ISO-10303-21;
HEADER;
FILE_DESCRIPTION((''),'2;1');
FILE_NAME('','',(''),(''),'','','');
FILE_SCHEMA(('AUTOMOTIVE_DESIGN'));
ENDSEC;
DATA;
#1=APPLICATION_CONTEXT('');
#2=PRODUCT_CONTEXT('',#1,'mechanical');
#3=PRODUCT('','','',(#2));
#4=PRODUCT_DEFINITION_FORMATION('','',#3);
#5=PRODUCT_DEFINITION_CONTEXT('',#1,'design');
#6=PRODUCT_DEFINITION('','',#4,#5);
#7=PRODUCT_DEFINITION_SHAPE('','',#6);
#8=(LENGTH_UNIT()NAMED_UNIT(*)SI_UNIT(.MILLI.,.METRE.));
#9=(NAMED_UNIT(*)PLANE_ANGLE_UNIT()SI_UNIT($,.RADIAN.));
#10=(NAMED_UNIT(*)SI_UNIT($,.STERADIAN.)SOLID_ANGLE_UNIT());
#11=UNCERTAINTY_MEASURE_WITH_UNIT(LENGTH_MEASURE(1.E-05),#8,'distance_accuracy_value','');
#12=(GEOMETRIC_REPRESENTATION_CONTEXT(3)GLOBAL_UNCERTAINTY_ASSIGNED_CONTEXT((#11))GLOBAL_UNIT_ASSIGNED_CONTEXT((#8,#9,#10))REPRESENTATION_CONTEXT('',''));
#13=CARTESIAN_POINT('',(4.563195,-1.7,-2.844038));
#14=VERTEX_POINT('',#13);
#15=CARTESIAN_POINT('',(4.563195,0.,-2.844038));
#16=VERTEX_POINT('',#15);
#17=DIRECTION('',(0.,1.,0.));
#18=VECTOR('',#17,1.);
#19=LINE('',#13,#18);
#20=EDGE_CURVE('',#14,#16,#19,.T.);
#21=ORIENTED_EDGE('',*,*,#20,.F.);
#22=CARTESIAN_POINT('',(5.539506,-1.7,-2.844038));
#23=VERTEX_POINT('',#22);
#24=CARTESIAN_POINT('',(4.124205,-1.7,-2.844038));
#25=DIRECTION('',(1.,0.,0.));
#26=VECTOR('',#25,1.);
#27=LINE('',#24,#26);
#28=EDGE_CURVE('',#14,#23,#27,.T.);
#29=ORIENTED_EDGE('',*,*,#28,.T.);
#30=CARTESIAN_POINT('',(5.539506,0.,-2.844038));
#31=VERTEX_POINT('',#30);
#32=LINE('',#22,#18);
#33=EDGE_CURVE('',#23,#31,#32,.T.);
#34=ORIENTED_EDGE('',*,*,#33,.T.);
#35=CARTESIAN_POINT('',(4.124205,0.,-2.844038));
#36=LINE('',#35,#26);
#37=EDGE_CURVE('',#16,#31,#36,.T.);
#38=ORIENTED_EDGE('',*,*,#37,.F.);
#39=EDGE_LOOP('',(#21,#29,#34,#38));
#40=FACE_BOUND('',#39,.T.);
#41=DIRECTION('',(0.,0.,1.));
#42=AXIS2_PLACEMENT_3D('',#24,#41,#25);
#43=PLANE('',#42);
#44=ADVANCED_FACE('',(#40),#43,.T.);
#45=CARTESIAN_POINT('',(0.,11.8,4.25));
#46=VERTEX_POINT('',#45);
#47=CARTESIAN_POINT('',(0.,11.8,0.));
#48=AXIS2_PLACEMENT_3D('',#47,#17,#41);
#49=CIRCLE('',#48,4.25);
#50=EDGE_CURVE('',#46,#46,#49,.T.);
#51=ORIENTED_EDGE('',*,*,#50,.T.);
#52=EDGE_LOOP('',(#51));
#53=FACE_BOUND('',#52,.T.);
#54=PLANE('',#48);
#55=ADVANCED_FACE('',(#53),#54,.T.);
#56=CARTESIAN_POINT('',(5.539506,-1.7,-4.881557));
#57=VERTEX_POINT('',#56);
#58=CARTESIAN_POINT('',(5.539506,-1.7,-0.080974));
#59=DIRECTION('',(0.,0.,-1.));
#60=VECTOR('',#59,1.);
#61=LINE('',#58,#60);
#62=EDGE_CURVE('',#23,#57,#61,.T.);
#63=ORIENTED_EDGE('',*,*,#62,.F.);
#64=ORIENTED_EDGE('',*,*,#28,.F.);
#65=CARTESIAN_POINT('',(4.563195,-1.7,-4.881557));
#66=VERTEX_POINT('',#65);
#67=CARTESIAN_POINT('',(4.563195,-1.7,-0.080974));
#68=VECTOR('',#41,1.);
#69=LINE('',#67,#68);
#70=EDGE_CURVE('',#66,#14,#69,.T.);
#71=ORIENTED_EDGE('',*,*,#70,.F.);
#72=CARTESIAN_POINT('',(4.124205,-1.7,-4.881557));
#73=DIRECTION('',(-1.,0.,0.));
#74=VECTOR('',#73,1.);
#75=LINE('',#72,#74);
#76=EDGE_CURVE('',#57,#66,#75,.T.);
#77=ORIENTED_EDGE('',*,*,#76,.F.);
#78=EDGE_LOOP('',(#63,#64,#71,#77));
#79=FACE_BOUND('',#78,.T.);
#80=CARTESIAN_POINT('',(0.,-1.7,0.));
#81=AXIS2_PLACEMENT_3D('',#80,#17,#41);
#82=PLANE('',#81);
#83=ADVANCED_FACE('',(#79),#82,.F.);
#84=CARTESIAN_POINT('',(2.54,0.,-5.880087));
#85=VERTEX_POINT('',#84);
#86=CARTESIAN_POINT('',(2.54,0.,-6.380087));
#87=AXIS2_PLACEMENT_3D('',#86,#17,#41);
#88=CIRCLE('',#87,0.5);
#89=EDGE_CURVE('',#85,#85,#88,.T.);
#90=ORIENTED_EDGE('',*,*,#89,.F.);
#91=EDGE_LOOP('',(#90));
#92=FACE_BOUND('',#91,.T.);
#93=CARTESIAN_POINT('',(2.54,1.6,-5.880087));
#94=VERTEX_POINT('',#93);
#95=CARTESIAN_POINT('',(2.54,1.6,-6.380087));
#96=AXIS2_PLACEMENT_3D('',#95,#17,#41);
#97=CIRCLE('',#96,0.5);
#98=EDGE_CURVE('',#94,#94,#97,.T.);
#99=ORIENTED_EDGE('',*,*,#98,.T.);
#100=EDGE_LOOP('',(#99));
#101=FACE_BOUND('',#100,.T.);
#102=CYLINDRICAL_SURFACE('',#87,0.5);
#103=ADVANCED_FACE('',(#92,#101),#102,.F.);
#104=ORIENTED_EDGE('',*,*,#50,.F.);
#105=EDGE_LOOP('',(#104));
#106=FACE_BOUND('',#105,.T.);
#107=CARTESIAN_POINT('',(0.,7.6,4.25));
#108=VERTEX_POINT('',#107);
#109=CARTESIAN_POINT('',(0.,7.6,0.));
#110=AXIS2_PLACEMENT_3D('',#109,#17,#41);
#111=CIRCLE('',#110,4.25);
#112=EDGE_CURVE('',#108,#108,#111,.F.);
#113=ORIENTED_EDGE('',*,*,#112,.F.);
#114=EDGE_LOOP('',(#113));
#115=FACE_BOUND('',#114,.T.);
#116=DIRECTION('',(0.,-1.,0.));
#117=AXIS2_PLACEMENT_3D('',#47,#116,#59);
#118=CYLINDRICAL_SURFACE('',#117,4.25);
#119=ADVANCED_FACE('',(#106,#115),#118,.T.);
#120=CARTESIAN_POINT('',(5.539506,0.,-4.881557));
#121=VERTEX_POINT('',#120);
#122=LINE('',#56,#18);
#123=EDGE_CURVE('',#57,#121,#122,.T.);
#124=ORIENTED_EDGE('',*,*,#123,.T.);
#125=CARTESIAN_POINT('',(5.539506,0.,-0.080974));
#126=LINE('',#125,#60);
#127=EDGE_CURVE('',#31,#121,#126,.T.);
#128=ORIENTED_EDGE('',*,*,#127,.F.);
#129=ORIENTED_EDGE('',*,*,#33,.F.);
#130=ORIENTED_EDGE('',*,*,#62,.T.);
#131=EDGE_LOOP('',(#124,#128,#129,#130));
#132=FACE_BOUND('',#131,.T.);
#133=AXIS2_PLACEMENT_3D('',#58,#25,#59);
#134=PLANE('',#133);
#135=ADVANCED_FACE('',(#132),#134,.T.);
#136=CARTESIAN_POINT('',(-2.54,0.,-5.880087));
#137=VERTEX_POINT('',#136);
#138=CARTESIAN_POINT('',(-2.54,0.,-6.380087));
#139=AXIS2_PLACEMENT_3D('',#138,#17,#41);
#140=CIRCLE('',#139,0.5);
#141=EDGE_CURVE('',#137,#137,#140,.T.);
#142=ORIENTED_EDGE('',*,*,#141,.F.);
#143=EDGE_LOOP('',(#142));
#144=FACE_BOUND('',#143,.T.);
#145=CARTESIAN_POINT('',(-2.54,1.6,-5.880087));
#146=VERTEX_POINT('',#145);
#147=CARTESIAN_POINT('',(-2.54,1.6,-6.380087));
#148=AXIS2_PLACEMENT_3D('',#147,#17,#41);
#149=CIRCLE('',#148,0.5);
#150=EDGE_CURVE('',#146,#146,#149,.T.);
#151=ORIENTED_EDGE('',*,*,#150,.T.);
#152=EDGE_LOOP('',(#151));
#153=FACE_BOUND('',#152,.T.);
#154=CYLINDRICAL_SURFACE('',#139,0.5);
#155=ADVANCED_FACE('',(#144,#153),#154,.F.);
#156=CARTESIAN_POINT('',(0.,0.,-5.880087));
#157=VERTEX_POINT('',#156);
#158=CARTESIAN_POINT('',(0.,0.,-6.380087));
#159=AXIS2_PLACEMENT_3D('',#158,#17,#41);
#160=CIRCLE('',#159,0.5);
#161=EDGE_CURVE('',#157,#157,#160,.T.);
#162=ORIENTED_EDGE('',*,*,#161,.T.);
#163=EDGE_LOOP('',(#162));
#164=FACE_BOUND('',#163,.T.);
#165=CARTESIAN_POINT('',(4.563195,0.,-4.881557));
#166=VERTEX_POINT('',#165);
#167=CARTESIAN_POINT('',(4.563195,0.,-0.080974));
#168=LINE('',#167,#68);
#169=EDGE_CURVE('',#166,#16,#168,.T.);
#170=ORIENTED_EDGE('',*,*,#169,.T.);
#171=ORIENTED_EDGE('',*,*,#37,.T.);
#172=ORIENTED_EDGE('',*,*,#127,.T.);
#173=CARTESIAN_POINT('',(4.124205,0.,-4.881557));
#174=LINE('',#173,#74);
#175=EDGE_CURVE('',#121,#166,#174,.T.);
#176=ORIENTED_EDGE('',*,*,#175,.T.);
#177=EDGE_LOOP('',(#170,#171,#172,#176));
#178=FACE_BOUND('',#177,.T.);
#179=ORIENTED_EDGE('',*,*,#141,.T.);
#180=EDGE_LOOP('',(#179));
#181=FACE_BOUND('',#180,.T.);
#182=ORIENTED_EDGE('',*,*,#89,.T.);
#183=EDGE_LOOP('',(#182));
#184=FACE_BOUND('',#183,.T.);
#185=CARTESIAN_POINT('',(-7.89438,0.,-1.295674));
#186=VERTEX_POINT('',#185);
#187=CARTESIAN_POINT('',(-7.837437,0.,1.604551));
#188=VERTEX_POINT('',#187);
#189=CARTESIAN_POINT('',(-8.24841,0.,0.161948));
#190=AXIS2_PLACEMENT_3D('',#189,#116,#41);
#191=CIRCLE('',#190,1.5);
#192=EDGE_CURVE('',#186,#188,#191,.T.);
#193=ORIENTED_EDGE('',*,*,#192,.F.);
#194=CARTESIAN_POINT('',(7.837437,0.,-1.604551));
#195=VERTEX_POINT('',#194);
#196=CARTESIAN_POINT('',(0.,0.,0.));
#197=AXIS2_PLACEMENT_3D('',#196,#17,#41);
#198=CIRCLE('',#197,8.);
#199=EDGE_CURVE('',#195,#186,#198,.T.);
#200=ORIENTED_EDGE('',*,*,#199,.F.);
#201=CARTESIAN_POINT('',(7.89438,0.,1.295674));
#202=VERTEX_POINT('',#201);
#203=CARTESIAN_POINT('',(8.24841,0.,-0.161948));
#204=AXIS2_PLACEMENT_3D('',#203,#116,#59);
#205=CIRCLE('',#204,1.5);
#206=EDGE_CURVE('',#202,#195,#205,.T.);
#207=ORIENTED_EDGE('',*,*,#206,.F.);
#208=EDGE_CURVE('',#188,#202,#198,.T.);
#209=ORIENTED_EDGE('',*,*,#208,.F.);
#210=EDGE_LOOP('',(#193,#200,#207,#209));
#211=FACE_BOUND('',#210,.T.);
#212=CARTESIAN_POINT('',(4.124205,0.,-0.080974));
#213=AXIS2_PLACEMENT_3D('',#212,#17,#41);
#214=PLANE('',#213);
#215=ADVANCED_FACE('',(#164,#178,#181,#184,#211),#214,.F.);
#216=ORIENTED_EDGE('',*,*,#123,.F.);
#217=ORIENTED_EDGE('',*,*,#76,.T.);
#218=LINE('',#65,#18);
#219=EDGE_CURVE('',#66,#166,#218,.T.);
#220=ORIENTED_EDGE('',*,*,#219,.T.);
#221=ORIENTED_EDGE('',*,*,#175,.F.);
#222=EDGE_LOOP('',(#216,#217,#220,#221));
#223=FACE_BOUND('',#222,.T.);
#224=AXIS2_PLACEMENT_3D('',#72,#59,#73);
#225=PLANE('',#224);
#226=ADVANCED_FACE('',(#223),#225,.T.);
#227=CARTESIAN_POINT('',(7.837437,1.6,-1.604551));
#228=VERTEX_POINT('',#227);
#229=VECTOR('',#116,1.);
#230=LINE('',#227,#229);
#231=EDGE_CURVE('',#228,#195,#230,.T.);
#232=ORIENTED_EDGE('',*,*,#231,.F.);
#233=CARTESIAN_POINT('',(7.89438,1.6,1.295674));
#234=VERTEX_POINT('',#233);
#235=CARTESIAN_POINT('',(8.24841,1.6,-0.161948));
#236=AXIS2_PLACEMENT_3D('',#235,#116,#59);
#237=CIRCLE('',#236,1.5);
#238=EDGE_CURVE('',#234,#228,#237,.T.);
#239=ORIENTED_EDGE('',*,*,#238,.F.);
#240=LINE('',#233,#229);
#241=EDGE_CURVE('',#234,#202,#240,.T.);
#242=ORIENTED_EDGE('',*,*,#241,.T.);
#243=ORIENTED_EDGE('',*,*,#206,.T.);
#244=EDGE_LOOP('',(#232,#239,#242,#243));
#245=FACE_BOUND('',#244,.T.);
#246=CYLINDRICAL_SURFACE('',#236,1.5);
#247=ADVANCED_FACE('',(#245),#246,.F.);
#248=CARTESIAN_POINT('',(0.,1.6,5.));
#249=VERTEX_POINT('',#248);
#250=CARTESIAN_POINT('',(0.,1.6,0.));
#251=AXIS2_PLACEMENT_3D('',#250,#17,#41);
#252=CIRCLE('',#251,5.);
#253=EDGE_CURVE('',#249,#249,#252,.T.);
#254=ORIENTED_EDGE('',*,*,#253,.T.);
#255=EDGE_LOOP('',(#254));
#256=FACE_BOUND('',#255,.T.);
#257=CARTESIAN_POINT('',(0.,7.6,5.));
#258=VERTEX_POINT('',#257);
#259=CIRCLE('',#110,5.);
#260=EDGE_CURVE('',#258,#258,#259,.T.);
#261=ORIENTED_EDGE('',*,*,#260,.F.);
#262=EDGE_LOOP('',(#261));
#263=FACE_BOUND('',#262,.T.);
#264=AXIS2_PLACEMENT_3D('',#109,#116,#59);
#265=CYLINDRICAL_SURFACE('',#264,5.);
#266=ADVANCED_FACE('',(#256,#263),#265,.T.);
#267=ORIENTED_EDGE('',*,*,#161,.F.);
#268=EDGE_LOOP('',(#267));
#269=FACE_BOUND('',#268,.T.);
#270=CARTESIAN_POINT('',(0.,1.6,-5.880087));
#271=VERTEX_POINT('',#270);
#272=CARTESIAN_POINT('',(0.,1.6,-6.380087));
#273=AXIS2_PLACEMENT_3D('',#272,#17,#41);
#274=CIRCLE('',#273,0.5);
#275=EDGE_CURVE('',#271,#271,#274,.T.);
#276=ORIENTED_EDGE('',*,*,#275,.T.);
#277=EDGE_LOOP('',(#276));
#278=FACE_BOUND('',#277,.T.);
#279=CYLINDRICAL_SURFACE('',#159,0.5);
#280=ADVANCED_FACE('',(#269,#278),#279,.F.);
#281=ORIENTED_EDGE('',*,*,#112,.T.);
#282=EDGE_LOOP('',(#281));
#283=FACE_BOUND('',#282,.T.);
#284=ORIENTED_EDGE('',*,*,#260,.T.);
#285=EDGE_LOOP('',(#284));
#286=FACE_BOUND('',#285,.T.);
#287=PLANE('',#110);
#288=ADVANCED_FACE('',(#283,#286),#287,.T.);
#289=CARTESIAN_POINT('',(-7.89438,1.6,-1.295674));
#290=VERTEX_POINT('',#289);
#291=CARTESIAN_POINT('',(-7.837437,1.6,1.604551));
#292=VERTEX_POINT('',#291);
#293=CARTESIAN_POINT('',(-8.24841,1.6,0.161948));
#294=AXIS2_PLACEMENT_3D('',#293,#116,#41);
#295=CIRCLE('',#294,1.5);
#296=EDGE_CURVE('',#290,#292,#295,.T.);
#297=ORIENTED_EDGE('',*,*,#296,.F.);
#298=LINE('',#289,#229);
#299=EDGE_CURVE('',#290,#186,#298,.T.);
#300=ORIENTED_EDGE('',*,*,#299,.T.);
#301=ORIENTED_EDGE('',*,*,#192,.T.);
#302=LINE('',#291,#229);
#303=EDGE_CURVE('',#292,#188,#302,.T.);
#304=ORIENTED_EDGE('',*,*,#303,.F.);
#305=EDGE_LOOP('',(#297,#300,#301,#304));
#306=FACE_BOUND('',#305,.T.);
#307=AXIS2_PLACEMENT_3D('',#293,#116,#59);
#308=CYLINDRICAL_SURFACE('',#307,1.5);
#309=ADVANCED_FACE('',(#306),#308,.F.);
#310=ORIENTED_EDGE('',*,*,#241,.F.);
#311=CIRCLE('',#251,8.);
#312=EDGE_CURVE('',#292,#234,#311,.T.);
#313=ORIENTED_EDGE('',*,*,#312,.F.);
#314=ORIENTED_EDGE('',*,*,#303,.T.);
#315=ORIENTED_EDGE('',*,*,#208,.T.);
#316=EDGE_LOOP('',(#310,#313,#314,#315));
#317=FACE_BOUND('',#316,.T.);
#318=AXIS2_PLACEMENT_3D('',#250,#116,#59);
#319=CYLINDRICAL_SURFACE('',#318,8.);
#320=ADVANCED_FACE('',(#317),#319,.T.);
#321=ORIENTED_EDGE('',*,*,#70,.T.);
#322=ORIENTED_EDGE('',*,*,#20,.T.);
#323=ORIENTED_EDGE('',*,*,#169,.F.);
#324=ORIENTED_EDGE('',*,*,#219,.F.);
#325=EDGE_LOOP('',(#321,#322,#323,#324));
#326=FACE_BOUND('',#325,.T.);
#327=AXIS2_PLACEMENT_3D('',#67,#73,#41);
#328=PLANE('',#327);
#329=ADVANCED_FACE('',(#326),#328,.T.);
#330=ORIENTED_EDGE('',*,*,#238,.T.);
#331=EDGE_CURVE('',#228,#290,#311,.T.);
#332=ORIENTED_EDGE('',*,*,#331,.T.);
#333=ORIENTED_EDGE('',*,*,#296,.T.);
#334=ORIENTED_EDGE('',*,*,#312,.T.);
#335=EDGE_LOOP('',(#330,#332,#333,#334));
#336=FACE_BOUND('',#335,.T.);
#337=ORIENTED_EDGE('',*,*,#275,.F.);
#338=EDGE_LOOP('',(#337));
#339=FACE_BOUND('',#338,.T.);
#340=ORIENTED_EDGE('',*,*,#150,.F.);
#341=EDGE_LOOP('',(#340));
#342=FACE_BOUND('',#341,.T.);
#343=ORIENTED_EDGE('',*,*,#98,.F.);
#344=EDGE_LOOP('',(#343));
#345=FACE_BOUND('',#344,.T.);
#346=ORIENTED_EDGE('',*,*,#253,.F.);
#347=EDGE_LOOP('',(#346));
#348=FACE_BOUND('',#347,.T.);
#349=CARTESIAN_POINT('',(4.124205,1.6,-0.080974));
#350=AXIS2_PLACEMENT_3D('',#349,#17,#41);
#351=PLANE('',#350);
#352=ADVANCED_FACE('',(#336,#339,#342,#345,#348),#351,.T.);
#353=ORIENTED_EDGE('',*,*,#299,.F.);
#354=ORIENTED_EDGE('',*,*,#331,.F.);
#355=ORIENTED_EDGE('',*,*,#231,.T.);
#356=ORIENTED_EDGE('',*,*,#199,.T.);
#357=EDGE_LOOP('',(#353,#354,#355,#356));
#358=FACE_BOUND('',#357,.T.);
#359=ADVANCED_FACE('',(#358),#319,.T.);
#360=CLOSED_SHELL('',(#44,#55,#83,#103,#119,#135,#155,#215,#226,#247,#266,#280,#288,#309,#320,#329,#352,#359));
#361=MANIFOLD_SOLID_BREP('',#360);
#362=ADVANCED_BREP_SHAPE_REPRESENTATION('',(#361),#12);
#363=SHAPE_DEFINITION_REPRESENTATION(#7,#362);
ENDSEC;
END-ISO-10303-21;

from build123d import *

# Parameters (mm, degrees)
EXTRUDE_1_DEPTH     = 1.6
SKETCH_2_R          = 5
EXTRUDE_2_DEPTH     = 6
EXTRUDE_START       = -6
SKETCH_3_R          = 4.25
EXTRUDE_3_DEPTH     = 10.2
SKETCH_4_R          = 0.5
CUT_EXTRUDE_1_DEPTH = 2.6
EXTRUDE_START_2     = -1.6
SKETCH_5_W          = 0.976311431
SKETCH_5_H          = 2.037519509
EXTRUDE_4_DEPTH     = 3.3


with BuildPart() as part:
    # 草图1 → 凸台-拉伸1 (new body)
    with BuildSketch(Plane(origin=(0, 0, 0), x_dir=(1, 0, 0), z_dir=(0, 1, 0))):
        with BuildLine():
            ThreePointArc((7.894379623, -1.295673712), (6.748699348, 0.13250325), (7.837436926, 1.604550536))
            ThreePointArc((7.837436926, 1.604550536), (-0.157040889, 7.998458486), (-7.894379623, 1.295673712))
            ThreePointArc((-7.894379623, 1.295673712), (-6.748699348, -0.13250325), (-7.837436926, -1.604550536))
            ThreePointArc((-7.837436926, -1.604550536), (0.157040889, -7.998458486), (7.894379623, -1.295673712))
        make_face()
    extrude(amount=EXTRUDE_1_DEPTH)

    # 草图2 → 凸台-拉伸2 (add)
    with BuildSketch(Plane(origin=(0, 1.6, 0), x_dir=(1, 0, 0), z_dir=(0, 1, 0))):
        Circle(SKETCH_2_R)
    extrude(amount=EXTRUDE_2_DEPTH)

    # 草图3 → 凸台-拉伸3 (add)
    with BuildSketch(Plane(origin=(0, 7.6, 0), x_dir=(1, 0, 0), z_dir=(0, 1, 0)).offset(EXTRUDE_START)):
        Circle(SKETCH_3_R)
    extrude(amount=EXTRUDE_3_DEPTH)

    # 草图4 → 切除-拉伸1 (cut, through all)
    with BuildSketch(Plane(origin=(0, 1.6, 0), x_dir=(1, 0, 0), z_dir=(0, 1, 0))):
        with Locations((-2.54, 6.380087041)):
            Circle(SKETCH_4_R)
        with Locations((0, 6.380087041)):
            Circle(SKETCH_4_R)
        with Locations((2.54, 6.380087041)):
            Circle(SKETCH_4_R)
    extrude(amount=-CUT_EXTRUDE_1_DEPTH, mode=Mode.SUBTRACT)

    # 草图5 → 凸台-拉伸4 (add)
    with BuildSketch(Plane.XZ.offset(EXTRUDE_START_2)):
        with Locations((5.05135045, -3.862797403)):
            Rectangle(SKETCH_5_W, SKETCH_5_H)
    extrude(amount=EXTRUDE_4_DEPTH)


solid = part.part
